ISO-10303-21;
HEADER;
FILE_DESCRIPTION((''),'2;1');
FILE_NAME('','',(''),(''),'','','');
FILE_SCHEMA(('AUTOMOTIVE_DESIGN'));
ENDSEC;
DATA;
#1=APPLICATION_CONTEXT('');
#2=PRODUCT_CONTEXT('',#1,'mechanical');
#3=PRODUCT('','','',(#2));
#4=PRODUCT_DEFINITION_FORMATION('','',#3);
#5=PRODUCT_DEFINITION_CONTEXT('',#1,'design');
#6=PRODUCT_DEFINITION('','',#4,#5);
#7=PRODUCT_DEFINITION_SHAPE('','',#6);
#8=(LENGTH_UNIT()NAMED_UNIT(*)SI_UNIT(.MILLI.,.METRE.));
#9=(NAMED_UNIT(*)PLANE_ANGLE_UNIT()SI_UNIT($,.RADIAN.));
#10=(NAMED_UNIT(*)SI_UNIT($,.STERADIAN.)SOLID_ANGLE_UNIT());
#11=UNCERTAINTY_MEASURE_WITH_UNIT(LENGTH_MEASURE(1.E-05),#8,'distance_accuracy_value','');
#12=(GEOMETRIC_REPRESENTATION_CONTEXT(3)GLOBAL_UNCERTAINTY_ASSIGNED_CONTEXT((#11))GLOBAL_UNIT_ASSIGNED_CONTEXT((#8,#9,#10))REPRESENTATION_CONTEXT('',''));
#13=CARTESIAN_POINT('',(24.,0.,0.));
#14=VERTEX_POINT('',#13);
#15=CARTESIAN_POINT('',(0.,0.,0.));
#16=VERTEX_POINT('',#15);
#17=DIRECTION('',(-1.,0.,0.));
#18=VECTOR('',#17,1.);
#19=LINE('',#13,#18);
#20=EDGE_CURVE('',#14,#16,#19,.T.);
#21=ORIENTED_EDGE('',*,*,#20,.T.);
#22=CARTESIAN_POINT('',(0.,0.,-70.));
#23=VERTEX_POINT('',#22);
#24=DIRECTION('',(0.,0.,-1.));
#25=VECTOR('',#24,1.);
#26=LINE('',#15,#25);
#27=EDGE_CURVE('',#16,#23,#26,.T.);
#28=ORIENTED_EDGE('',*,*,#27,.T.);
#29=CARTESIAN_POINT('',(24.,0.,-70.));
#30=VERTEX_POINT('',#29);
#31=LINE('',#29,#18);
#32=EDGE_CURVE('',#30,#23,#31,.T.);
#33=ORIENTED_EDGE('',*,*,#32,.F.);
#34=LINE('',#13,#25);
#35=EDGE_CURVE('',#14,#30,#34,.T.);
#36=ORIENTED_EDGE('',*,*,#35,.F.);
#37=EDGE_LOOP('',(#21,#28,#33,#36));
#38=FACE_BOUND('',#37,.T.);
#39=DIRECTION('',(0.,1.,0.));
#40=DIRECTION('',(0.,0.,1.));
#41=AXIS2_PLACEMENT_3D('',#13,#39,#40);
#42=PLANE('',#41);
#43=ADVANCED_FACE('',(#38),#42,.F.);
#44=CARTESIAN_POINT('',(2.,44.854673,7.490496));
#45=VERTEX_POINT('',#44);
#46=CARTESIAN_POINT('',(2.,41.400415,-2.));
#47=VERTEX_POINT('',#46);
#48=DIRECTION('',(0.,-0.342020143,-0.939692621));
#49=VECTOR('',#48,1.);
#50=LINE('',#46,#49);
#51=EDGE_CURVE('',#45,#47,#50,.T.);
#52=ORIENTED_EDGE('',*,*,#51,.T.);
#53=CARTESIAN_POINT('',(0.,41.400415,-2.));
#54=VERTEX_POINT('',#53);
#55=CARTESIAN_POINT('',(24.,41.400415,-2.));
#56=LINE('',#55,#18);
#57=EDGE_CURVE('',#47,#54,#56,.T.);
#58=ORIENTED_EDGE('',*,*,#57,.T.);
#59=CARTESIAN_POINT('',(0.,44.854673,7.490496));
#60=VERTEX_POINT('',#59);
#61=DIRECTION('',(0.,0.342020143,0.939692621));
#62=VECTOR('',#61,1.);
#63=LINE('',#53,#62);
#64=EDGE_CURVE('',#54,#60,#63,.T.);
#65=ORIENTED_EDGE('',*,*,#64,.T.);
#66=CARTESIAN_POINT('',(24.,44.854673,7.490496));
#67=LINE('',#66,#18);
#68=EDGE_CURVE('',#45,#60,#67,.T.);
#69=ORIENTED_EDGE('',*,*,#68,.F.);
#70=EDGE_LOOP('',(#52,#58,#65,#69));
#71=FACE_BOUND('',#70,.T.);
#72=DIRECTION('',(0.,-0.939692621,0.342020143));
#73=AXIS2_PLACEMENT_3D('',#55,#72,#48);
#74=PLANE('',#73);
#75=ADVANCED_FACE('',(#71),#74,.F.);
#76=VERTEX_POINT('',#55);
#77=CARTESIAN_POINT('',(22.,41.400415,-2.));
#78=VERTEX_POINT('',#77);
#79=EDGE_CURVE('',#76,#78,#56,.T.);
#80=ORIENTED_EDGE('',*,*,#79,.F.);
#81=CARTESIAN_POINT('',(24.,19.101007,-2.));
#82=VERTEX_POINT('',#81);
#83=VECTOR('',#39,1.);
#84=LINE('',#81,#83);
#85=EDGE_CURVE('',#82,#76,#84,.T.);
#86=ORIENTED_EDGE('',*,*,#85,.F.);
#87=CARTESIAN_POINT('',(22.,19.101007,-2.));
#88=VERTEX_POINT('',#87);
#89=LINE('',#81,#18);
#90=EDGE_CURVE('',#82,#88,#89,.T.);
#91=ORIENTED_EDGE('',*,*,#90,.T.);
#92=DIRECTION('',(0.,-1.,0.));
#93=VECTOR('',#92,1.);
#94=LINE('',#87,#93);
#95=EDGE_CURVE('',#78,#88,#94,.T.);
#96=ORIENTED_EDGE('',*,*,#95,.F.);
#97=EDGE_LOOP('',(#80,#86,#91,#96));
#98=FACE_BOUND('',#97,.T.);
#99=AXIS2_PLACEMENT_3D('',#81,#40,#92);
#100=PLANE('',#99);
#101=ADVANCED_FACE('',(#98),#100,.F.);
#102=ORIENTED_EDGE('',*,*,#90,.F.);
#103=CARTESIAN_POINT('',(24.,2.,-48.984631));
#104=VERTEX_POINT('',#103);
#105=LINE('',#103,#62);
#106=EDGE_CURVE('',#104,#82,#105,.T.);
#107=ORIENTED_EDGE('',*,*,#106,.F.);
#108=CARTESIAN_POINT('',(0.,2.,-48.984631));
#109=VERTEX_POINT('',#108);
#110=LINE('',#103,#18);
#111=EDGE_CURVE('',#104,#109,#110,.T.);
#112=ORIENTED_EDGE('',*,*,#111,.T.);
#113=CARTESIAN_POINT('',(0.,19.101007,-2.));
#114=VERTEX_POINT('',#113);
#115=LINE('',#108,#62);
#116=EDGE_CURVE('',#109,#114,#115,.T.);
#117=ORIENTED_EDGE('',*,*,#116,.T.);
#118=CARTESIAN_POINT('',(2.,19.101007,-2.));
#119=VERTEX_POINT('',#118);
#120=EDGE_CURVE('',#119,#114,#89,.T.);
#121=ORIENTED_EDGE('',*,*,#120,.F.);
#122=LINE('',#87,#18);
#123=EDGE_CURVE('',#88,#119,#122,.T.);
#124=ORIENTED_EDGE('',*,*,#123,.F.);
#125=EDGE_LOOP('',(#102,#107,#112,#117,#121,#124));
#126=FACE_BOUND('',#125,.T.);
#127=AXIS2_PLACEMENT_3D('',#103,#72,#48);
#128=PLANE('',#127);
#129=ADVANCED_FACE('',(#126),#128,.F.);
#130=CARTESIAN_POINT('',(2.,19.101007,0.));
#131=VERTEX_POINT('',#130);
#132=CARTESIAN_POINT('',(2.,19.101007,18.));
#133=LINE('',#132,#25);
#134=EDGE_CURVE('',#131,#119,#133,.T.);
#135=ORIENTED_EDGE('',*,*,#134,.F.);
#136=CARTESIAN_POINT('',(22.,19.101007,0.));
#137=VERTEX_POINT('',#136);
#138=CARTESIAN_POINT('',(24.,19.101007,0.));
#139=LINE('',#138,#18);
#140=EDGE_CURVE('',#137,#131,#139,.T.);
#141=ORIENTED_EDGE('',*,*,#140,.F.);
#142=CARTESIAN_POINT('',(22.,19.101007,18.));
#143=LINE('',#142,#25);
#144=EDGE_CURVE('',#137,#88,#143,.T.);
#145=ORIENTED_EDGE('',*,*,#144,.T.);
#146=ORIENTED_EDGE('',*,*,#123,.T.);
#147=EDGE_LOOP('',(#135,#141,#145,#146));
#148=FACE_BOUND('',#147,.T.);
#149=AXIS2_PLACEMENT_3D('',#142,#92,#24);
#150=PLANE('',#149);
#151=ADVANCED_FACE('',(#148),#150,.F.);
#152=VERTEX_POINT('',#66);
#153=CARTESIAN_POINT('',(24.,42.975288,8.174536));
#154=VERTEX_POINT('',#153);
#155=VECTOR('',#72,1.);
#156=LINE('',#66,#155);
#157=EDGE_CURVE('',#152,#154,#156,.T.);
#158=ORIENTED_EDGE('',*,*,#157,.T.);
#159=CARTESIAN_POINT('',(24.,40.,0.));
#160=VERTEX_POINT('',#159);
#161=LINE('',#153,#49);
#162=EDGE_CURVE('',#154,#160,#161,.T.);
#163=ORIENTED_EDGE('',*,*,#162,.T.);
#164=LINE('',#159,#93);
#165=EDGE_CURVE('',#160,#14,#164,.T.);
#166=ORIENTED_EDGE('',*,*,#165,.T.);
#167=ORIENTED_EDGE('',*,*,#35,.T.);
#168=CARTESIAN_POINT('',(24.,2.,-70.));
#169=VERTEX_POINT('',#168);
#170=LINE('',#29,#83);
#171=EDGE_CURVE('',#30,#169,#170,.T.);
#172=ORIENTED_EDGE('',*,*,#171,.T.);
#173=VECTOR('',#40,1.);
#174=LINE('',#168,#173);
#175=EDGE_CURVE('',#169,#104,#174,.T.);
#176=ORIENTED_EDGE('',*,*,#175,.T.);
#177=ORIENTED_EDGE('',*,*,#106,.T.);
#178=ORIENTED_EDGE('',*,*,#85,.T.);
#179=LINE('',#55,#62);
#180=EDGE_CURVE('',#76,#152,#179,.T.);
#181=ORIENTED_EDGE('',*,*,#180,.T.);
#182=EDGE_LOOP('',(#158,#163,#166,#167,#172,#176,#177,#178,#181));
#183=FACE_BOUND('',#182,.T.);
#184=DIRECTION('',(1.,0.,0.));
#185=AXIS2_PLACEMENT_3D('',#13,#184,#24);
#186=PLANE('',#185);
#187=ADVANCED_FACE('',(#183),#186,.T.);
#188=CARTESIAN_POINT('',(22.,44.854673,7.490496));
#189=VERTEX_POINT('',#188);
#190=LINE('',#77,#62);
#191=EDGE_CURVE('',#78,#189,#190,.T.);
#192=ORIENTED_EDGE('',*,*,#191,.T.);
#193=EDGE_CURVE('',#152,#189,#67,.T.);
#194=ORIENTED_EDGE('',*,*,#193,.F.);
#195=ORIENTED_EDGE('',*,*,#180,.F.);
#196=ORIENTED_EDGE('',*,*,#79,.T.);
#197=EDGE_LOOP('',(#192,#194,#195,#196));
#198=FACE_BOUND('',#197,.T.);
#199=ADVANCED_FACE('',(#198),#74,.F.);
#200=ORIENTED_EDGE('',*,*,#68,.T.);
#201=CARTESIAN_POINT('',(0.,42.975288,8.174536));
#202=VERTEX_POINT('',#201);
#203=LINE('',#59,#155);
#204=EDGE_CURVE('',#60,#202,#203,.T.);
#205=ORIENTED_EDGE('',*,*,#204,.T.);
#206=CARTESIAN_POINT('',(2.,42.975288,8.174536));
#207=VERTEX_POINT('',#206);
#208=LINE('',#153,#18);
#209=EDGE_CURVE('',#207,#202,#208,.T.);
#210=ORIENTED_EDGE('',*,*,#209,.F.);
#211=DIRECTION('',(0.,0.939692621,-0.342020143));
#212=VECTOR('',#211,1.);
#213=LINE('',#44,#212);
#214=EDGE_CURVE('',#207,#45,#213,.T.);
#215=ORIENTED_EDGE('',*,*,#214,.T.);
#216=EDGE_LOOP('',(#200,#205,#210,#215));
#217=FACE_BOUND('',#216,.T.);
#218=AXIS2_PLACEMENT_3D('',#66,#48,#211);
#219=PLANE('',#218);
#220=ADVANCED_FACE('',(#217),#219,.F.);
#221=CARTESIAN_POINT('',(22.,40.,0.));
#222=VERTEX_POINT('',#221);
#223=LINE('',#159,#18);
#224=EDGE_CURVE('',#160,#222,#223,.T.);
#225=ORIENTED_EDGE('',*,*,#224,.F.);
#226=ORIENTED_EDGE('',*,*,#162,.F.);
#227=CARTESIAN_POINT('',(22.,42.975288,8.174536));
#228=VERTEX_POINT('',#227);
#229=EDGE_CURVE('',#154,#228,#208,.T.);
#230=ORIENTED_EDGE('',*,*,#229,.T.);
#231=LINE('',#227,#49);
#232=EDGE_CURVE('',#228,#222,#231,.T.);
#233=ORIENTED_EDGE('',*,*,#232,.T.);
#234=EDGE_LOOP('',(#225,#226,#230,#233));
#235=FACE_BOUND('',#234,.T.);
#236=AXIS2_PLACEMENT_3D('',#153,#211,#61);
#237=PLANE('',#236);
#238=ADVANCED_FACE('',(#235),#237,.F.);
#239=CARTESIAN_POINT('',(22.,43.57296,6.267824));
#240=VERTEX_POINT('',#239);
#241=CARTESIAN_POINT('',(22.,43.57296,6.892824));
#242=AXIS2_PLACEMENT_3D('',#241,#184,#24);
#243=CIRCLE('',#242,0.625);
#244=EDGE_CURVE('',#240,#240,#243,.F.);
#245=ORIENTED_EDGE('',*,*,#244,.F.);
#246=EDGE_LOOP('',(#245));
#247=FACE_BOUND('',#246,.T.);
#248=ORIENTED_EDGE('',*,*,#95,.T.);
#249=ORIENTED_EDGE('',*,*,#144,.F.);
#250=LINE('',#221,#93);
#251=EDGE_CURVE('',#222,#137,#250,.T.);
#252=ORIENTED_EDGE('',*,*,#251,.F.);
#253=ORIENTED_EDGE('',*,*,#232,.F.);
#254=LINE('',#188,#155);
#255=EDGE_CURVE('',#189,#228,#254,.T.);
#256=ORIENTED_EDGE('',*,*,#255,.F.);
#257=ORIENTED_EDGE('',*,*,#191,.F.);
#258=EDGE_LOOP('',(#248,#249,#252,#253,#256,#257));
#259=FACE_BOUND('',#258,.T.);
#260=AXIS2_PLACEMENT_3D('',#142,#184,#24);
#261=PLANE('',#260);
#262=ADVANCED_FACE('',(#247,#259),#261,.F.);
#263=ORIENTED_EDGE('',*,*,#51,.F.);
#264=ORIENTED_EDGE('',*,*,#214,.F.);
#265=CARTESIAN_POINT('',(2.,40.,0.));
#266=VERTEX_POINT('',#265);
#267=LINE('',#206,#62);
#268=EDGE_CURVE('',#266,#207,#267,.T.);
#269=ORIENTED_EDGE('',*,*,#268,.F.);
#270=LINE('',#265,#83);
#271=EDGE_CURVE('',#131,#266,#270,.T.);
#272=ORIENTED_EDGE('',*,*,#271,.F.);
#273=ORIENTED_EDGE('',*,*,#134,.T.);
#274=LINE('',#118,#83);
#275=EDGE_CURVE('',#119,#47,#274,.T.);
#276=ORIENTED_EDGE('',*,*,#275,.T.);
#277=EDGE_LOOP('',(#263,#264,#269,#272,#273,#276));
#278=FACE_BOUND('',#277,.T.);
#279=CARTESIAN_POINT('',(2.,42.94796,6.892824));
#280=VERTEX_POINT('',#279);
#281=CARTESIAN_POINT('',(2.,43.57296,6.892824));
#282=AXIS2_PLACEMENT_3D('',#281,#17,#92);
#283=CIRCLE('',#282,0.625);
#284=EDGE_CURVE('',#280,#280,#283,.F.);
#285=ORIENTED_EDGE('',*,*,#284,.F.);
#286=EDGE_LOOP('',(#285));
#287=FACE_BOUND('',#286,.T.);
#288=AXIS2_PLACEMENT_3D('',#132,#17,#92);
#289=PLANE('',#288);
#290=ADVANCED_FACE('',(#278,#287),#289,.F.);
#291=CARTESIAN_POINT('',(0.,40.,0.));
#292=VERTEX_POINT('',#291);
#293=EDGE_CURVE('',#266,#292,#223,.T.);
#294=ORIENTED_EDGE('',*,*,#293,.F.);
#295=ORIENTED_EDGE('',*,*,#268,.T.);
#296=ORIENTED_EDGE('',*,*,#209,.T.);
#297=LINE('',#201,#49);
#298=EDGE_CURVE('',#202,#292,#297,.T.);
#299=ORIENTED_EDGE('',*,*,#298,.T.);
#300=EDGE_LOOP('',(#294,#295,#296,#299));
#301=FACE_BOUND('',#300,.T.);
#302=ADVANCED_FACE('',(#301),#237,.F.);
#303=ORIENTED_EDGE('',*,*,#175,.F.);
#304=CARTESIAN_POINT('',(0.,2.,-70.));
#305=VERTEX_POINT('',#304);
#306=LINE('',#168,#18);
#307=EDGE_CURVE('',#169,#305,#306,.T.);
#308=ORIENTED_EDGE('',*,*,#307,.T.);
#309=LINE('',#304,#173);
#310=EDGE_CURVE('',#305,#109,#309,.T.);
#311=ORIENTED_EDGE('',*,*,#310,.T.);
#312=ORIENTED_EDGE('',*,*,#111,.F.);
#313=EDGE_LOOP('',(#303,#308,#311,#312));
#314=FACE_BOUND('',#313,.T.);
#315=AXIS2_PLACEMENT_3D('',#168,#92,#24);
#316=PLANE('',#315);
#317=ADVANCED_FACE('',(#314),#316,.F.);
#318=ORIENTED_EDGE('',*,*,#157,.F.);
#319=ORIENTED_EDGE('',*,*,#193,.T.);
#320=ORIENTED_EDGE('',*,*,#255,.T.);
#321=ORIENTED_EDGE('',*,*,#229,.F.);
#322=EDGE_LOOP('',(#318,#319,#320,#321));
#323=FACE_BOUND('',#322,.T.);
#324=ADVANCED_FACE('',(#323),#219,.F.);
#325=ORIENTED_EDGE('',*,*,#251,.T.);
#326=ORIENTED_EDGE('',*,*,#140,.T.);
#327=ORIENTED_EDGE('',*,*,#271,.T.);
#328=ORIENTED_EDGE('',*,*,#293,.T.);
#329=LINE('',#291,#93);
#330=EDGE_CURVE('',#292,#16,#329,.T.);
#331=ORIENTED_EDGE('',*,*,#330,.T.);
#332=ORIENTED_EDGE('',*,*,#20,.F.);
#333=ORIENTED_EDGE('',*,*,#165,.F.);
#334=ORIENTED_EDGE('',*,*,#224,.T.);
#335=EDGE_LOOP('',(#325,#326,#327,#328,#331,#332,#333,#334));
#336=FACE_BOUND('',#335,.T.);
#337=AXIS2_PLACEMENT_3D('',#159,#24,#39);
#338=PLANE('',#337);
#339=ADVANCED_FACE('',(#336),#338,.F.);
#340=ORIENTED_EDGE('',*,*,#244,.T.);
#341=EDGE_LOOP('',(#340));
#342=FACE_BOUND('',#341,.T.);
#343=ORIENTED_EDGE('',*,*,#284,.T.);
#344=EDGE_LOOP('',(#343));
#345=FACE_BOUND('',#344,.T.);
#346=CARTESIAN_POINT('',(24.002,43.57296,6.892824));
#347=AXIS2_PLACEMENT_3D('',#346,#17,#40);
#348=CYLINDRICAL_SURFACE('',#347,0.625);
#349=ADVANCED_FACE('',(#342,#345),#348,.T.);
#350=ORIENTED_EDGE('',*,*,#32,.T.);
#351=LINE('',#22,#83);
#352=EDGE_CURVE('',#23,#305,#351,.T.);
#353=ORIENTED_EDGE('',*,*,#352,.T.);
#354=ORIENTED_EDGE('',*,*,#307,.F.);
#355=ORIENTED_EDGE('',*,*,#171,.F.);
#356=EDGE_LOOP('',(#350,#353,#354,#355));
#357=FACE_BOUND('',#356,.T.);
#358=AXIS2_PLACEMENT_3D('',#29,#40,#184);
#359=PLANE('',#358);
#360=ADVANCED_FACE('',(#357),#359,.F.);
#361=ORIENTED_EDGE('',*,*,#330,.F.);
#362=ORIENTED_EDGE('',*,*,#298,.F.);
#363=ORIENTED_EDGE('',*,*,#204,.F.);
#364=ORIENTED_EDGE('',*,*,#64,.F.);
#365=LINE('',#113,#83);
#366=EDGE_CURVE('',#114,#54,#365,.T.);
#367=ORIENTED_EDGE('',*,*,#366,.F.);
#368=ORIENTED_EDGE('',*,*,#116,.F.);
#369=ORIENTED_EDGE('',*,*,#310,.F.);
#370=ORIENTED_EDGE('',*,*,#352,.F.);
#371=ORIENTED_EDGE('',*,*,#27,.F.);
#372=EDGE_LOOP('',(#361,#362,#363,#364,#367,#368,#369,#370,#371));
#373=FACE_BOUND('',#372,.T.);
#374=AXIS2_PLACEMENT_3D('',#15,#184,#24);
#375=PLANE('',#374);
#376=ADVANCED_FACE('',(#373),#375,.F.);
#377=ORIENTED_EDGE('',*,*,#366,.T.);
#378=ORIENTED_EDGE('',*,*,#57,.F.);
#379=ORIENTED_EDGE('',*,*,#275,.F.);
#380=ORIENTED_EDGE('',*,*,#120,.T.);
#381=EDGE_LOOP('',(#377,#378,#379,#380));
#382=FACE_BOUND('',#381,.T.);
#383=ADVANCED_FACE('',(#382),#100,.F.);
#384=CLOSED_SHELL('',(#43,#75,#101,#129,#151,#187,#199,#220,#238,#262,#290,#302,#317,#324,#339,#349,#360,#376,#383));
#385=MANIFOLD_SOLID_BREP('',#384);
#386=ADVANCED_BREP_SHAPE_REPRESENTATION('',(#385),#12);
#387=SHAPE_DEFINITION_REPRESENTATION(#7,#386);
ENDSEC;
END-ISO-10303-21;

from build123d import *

# Parameters (mm, degrees)
BOSS_EXTRUDE1_DEPTH = 24
SKETCH5_W           = 20
SKETCH5_H           = 30.196049995
CUT_EXTRUDE1_DEPTH  = 20
SKETCH6_R           = 0.625
BOSS_EXTRUDE2_DEPTH = 20


with BuildPart() as part:
    # Sketch2 → Boss-Extrude1 (new body)
    with BuildSketch(Plane(origin=(0, 0, 0), x_dir=(0, 0, -1), z_dir=(1, 0, 0))):
        Polygon((0, 0), (70, 0), (70, 2), (48.984631039, 2), (2, 19.101007166), (2, 41.400415076), (-7.490496191, 44.854673198), (-8.174536478, 42.975287957), (0, 40), align=None)
    extrude(amount=BOSS_EXTRUDE1_DEPTH)

    # Sketch5 → Cut-Extrude1 (cut)
    with BuildSketch(Plane(origin=(0, 0, -2), x_dir=(-1, 0, 0), z_dir=(0, 0, -1))):
        with Locations((-12, 34.199032164)):
            Rectangle(SKETCH5_W, SKETCH5_H)
    extrude(amount=-CUT_EXTRUDE1_DEPTH, mode=Mode.SUBTRACT)

    # Sketch6 → Boss-Extrude2 (add)
    with BuildSketch(Plane(origin=(2, 0, 0), x_dir=(0, 0, -1), z_dir=(1, 0, 0))):
        with Locations(Location((-6.892823714, 43.572960434, 0), (0, 0, 270))):
            Circle(SKETCH6_R)
    extrude(amount=BOSS_EXTRUDE2_DEPTH)


solid = part.part
